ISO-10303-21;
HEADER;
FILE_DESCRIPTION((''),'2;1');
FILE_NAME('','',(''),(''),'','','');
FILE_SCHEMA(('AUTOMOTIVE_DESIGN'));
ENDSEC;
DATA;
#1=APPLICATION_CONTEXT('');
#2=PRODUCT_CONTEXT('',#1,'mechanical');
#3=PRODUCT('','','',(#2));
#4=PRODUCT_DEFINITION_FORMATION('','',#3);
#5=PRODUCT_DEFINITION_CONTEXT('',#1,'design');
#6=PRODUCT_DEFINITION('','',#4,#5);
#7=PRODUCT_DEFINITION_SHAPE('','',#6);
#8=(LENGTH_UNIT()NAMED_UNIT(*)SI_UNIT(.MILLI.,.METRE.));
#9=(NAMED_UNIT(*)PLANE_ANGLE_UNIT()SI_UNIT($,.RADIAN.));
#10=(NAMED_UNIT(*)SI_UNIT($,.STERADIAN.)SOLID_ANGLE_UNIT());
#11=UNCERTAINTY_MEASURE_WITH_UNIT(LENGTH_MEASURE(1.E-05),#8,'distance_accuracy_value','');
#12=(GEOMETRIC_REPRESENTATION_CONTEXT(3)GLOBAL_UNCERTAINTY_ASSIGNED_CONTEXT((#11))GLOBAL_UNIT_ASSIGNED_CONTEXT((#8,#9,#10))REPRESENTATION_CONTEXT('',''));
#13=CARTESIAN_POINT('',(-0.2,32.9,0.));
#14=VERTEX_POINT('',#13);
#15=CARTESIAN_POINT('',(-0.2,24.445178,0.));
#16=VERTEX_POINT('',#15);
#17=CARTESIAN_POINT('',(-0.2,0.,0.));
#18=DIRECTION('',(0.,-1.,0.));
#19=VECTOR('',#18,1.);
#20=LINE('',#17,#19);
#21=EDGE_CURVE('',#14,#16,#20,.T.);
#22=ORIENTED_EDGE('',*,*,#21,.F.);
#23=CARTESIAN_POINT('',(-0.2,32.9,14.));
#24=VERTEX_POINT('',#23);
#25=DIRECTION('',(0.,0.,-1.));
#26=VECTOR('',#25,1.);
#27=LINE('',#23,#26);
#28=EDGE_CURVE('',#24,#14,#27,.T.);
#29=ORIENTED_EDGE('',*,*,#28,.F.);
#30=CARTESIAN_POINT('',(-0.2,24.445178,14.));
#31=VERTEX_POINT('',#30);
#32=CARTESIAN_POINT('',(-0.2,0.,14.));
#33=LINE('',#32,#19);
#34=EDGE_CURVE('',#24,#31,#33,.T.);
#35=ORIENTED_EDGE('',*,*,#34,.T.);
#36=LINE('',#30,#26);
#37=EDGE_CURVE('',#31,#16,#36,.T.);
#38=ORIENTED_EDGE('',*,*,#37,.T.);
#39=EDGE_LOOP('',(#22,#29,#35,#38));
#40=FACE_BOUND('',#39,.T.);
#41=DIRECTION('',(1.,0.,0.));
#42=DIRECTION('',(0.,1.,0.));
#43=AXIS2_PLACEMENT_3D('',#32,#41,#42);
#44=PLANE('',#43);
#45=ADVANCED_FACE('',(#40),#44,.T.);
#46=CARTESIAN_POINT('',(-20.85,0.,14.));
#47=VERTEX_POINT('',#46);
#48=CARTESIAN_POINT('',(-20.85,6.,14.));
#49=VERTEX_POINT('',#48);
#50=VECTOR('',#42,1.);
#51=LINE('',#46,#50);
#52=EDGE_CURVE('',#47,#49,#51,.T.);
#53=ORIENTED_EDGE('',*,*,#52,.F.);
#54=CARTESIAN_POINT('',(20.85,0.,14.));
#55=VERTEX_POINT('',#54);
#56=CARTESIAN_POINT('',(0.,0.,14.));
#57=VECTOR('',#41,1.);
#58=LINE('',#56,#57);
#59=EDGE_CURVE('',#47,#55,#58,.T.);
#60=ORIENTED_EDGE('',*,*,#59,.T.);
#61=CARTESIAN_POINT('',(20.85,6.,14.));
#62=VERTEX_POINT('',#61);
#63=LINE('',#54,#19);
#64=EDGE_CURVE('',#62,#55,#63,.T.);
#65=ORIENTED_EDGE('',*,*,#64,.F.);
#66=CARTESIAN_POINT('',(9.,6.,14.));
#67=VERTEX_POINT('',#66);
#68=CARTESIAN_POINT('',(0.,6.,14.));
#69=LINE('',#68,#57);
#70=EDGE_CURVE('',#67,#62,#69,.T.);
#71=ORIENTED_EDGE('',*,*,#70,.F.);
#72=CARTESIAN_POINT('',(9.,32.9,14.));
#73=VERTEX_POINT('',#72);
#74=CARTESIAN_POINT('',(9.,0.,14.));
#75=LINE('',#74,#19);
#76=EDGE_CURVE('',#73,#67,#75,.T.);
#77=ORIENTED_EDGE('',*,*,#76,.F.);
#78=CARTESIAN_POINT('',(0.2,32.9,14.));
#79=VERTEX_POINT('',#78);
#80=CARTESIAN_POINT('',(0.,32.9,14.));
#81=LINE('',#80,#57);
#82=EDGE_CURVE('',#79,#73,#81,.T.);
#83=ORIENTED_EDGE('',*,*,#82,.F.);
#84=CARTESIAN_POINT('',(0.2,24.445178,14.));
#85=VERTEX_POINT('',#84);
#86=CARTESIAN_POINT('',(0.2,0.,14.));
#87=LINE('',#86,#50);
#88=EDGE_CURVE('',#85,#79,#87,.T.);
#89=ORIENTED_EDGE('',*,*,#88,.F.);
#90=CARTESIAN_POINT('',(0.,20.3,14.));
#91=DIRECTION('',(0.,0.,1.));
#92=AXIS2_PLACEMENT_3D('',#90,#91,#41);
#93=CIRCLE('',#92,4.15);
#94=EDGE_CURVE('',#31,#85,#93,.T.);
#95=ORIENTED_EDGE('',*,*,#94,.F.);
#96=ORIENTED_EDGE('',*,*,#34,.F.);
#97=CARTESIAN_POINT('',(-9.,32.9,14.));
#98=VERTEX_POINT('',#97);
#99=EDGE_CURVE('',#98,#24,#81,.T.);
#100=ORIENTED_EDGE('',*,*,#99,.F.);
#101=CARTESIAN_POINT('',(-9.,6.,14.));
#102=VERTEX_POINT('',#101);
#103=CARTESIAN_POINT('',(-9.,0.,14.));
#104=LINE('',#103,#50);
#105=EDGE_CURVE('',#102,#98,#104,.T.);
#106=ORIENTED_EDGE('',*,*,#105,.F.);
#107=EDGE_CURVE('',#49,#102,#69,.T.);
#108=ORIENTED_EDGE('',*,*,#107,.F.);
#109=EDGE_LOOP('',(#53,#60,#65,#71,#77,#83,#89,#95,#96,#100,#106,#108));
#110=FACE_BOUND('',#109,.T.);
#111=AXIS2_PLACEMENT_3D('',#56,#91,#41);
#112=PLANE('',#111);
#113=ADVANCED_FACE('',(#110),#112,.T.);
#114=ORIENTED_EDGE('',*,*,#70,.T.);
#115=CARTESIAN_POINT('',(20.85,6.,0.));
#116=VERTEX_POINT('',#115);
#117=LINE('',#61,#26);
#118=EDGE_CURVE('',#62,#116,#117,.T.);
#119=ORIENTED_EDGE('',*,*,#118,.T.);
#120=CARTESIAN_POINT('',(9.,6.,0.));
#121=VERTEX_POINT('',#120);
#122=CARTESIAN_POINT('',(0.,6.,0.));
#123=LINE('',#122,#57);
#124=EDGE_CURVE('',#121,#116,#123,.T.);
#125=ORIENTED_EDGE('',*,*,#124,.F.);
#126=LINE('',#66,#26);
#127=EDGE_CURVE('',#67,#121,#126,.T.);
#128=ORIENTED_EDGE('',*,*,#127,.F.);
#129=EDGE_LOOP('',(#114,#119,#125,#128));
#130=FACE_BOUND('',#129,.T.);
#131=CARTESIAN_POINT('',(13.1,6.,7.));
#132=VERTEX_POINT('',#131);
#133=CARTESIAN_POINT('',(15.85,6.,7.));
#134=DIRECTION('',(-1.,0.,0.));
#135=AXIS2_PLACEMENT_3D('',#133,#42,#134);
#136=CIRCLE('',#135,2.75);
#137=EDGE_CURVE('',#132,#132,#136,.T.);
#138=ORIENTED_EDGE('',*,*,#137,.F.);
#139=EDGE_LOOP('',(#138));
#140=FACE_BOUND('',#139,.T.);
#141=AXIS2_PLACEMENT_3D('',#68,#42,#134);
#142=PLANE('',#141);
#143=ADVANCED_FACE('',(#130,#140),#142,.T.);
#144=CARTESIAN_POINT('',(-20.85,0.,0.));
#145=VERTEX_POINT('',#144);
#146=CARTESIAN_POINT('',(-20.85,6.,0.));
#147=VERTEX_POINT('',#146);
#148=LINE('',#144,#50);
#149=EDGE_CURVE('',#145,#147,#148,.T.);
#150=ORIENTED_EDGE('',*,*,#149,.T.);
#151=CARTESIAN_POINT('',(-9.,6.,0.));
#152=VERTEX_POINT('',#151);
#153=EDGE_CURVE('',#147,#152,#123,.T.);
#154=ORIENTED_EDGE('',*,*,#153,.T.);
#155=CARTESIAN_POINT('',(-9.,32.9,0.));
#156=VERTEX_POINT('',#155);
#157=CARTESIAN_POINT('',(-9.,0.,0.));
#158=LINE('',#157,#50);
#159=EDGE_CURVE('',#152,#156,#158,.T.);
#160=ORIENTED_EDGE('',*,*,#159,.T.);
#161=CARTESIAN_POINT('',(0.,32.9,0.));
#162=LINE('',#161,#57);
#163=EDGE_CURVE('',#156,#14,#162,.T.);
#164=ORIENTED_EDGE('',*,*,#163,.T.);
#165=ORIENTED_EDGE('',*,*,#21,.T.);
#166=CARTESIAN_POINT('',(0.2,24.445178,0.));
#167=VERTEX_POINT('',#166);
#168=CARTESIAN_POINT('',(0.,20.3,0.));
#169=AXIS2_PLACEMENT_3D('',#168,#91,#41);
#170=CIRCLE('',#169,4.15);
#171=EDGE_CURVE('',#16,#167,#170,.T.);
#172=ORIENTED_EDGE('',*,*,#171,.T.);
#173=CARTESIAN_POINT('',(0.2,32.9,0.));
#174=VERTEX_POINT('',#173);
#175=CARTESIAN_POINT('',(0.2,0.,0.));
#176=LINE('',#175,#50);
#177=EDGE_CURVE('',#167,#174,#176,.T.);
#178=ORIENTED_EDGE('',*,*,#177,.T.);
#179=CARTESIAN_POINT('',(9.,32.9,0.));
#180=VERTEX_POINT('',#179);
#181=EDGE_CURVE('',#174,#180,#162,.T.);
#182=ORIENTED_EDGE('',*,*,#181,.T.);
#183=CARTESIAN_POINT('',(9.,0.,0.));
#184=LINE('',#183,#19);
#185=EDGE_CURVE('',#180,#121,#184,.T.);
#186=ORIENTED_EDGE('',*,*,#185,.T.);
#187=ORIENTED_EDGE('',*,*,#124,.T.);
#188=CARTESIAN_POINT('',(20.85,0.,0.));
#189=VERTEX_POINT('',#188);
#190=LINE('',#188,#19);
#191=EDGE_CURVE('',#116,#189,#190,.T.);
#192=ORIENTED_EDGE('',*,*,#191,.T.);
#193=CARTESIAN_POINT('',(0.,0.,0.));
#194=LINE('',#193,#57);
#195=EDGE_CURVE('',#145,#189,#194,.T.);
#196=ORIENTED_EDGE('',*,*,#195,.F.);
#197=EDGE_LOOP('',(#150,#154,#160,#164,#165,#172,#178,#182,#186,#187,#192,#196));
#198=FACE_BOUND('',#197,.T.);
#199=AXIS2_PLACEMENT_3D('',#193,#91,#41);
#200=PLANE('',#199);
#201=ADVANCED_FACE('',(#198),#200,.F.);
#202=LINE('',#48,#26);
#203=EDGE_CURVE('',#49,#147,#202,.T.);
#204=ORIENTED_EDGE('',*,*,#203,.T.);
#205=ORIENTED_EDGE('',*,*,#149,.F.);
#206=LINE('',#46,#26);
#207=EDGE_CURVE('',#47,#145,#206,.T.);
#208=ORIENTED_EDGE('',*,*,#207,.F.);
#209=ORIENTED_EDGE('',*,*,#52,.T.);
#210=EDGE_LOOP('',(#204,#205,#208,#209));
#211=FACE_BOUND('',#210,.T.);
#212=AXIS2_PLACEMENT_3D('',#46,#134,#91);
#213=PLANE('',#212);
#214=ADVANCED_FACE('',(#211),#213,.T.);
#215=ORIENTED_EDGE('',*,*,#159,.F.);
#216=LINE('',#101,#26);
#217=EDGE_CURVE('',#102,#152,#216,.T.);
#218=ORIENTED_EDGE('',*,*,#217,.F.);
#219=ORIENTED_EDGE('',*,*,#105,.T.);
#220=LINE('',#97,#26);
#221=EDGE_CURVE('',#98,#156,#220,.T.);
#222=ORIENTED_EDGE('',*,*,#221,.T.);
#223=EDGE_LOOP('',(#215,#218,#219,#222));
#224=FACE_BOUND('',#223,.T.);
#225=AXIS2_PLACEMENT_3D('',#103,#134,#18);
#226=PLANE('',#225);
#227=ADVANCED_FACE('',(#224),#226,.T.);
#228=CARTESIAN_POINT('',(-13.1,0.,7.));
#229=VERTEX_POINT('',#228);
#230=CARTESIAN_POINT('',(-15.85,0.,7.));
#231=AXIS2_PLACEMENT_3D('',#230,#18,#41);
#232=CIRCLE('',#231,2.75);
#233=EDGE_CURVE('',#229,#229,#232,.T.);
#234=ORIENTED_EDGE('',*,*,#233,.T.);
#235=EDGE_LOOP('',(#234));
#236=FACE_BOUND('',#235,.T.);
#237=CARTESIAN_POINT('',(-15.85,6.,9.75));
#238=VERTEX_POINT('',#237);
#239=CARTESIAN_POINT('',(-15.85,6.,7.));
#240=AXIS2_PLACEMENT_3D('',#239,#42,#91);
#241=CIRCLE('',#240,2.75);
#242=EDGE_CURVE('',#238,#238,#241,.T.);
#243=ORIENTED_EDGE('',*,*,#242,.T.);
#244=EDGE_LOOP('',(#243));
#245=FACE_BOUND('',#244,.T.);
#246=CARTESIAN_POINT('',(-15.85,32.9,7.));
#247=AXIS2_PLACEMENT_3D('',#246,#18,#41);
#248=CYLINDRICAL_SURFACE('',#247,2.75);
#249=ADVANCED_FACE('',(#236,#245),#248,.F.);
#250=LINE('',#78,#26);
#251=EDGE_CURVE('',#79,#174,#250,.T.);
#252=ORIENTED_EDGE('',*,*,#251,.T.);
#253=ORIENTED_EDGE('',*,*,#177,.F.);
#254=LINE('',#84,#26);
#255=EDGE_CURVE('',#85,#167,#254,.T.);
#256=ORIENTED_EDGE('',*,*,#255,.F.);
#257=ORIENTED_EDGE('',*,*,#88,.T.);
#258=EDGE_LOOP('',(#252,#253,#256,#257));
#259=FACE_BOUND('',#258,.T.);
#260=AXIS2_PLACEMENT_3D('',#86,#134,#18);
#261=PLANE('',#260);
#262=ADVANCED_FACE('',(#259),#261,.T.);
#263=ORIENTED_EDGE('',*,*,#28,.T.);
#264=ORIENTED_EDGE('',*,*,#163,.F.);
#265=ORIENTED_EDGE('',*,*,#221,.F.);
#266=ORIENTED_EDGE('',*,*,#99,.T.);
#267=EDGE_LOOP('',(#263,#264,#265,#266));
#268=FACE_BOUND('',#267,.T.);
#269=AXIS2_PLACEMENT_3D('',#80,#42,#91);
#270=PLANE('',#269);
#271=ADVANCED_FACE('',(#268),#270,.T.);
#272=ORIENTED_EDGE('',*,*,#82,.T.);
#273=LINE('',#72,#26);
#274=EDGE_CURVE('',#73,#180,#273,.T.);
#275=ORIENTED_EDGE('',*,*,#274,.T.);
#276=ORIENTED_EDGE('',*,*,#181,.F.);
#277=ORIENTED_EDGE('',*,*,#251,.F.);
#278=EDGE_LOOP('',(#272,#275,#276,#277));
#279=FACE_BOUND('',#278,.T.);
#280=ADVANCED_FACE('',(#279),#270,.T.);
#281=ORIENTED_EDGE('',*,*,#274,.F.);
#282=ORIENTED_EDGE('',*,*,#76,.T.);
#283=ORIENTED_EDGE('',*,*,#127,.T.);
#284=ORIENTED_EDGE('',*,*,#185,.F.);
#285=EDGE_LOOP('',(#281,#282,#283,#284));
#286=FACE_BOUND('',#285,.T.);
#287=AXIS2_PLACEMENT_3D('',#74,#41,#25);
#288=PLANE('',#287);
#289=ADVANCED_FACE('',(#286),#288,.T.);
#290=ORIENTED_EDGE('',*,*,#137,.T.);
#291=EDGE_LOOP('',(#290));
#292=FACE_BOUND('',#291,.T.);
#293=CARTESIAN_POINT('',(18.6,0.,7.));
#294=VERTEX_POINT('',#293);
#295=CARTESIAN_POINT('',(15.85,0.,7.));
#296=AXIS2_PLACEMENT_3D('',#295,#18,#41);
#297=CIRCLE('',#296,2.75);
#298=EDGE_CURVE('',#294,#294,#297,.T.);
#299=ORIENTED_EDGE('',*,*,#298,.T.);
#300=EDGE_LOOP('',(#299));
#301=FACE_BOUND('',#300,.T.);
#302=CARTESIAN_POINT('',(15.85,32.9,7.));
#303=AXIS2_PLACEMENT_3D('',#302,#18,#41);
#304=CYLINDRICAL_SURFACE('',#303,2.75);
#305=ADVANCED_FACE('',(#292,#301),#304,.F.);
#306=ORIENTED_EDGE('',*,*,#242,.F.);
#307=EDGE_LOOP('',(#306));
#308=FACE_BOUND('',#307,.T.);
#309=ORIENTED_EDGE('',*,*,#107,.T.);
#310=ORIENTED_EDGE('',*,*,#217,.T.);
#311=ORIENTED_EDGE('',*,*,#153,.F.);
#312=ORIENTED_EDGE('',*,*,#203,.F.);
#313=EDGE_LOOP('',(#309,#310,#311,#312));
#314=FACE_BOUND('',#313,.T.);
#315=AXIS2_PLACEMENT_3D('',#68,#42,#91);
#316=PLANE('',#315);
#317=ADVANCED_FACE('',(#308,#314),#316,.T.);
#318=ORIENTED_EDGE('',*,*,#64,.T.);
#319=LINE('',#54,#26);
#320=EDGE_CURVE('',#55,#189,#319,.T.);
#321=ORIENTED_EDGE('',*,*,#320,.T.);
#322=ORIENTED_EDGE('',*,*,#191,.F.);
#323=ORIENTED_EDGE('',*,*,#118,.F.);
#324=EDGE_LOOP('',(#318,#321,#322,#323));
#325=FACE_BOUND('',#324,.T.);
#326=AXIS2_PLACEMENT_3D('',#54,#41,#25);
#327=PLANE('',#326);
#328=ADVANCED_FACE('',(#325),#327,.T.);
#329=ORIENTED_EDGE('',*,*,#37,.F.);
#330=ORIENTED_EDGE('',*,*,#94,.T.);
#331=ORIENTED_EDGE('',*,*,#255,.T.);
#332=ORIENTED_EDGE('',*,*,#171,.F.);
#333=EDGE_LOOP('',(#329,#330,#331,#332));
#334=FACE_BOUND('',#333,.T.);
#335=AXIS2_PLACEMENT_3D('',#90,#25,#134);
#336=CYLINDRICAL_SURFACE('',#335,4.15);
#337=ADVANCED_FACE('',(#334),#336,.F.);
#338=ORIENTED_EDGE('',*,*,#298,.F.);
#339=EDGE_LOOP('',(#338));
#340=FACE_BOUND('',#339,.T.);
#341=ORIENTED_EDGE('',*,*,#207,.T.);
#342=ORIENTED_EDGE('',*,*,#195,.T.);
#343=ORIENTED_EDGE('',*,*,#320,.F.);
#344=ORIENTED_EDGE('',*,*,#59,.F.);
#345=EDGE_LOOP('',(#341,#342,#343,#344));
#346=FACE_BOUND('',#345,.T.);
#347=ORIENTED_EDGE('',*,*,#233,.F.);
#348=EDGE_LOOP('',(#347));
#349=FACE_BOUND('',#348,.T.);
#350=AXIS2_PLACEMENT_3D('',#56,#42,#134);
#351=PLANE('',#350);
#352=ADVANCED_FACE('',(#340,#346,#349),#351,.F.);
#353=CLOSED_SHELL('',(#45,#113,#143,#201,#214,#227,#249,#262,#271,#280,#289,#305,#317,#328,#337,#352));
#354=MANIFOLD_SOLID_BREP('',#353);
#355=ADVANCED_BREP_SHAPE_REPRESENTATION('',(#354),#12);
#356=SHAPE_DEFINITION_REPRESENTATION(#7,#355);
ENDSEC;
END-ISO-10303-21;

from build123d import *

# Parameters (mm, degrees)
BOSS_EXTRUDE1_DEPTH = 14
SKETCH2_R           = 2.75
CUT_EXTRUDE1_DEPTH  = 33.9


with BuildPart() as part:
    # Sketch1 → Boss-Extrude1 (new body)
    with BuildSketch(Plane.XY):
        with BuildLine():
            Line((-20.85, 6), (-20.85, 0))
            Line((-20.85, 0), (20.85, 0))
            Line((20.85, 0), (20.85, 6))
            Line((20.85, 6), (9, 6))
            Line((9, 6), (9, 32.9))
            Line((9, 32.9), (0.2, 32.9))
            Line((0.2, 32.9), (0.2, 24.445177921))
            ThreePointArc((0.2, 24.445177921), (3.004371815, 23.162909359), (4.15, 20.3))
            ThreePointArc((4.15, 20.3), (-2.862909359, 17.295628185), (-0.2, 24.445177921))
            Line((-0.2, 24.445177921), (-0.2, 32.9))
            Line((-0.2, 32.9), (-9, 32.9))
            Line((-9, 32.9), (-9, 6))
            Line((-9, 6), (-20.85, 6))
        make_face()
    extrude(amount=BOSS_EXTRUDE1_DEPTH)

    # Sketch2 → Cut-Extrude1 (cut, through all)
    with BuildSketch(Plane.XZ):
        with Locations((-15.85, 7)):
            Circle(SKETCH2_R)
        with Locations((15.85, 7)):
            Circle(SKETCH2_R)
    extrude(amount=-CUT_EXTRUDE1_DEPTH, mode=Mode.SUBTRACT)


solid = part.part
